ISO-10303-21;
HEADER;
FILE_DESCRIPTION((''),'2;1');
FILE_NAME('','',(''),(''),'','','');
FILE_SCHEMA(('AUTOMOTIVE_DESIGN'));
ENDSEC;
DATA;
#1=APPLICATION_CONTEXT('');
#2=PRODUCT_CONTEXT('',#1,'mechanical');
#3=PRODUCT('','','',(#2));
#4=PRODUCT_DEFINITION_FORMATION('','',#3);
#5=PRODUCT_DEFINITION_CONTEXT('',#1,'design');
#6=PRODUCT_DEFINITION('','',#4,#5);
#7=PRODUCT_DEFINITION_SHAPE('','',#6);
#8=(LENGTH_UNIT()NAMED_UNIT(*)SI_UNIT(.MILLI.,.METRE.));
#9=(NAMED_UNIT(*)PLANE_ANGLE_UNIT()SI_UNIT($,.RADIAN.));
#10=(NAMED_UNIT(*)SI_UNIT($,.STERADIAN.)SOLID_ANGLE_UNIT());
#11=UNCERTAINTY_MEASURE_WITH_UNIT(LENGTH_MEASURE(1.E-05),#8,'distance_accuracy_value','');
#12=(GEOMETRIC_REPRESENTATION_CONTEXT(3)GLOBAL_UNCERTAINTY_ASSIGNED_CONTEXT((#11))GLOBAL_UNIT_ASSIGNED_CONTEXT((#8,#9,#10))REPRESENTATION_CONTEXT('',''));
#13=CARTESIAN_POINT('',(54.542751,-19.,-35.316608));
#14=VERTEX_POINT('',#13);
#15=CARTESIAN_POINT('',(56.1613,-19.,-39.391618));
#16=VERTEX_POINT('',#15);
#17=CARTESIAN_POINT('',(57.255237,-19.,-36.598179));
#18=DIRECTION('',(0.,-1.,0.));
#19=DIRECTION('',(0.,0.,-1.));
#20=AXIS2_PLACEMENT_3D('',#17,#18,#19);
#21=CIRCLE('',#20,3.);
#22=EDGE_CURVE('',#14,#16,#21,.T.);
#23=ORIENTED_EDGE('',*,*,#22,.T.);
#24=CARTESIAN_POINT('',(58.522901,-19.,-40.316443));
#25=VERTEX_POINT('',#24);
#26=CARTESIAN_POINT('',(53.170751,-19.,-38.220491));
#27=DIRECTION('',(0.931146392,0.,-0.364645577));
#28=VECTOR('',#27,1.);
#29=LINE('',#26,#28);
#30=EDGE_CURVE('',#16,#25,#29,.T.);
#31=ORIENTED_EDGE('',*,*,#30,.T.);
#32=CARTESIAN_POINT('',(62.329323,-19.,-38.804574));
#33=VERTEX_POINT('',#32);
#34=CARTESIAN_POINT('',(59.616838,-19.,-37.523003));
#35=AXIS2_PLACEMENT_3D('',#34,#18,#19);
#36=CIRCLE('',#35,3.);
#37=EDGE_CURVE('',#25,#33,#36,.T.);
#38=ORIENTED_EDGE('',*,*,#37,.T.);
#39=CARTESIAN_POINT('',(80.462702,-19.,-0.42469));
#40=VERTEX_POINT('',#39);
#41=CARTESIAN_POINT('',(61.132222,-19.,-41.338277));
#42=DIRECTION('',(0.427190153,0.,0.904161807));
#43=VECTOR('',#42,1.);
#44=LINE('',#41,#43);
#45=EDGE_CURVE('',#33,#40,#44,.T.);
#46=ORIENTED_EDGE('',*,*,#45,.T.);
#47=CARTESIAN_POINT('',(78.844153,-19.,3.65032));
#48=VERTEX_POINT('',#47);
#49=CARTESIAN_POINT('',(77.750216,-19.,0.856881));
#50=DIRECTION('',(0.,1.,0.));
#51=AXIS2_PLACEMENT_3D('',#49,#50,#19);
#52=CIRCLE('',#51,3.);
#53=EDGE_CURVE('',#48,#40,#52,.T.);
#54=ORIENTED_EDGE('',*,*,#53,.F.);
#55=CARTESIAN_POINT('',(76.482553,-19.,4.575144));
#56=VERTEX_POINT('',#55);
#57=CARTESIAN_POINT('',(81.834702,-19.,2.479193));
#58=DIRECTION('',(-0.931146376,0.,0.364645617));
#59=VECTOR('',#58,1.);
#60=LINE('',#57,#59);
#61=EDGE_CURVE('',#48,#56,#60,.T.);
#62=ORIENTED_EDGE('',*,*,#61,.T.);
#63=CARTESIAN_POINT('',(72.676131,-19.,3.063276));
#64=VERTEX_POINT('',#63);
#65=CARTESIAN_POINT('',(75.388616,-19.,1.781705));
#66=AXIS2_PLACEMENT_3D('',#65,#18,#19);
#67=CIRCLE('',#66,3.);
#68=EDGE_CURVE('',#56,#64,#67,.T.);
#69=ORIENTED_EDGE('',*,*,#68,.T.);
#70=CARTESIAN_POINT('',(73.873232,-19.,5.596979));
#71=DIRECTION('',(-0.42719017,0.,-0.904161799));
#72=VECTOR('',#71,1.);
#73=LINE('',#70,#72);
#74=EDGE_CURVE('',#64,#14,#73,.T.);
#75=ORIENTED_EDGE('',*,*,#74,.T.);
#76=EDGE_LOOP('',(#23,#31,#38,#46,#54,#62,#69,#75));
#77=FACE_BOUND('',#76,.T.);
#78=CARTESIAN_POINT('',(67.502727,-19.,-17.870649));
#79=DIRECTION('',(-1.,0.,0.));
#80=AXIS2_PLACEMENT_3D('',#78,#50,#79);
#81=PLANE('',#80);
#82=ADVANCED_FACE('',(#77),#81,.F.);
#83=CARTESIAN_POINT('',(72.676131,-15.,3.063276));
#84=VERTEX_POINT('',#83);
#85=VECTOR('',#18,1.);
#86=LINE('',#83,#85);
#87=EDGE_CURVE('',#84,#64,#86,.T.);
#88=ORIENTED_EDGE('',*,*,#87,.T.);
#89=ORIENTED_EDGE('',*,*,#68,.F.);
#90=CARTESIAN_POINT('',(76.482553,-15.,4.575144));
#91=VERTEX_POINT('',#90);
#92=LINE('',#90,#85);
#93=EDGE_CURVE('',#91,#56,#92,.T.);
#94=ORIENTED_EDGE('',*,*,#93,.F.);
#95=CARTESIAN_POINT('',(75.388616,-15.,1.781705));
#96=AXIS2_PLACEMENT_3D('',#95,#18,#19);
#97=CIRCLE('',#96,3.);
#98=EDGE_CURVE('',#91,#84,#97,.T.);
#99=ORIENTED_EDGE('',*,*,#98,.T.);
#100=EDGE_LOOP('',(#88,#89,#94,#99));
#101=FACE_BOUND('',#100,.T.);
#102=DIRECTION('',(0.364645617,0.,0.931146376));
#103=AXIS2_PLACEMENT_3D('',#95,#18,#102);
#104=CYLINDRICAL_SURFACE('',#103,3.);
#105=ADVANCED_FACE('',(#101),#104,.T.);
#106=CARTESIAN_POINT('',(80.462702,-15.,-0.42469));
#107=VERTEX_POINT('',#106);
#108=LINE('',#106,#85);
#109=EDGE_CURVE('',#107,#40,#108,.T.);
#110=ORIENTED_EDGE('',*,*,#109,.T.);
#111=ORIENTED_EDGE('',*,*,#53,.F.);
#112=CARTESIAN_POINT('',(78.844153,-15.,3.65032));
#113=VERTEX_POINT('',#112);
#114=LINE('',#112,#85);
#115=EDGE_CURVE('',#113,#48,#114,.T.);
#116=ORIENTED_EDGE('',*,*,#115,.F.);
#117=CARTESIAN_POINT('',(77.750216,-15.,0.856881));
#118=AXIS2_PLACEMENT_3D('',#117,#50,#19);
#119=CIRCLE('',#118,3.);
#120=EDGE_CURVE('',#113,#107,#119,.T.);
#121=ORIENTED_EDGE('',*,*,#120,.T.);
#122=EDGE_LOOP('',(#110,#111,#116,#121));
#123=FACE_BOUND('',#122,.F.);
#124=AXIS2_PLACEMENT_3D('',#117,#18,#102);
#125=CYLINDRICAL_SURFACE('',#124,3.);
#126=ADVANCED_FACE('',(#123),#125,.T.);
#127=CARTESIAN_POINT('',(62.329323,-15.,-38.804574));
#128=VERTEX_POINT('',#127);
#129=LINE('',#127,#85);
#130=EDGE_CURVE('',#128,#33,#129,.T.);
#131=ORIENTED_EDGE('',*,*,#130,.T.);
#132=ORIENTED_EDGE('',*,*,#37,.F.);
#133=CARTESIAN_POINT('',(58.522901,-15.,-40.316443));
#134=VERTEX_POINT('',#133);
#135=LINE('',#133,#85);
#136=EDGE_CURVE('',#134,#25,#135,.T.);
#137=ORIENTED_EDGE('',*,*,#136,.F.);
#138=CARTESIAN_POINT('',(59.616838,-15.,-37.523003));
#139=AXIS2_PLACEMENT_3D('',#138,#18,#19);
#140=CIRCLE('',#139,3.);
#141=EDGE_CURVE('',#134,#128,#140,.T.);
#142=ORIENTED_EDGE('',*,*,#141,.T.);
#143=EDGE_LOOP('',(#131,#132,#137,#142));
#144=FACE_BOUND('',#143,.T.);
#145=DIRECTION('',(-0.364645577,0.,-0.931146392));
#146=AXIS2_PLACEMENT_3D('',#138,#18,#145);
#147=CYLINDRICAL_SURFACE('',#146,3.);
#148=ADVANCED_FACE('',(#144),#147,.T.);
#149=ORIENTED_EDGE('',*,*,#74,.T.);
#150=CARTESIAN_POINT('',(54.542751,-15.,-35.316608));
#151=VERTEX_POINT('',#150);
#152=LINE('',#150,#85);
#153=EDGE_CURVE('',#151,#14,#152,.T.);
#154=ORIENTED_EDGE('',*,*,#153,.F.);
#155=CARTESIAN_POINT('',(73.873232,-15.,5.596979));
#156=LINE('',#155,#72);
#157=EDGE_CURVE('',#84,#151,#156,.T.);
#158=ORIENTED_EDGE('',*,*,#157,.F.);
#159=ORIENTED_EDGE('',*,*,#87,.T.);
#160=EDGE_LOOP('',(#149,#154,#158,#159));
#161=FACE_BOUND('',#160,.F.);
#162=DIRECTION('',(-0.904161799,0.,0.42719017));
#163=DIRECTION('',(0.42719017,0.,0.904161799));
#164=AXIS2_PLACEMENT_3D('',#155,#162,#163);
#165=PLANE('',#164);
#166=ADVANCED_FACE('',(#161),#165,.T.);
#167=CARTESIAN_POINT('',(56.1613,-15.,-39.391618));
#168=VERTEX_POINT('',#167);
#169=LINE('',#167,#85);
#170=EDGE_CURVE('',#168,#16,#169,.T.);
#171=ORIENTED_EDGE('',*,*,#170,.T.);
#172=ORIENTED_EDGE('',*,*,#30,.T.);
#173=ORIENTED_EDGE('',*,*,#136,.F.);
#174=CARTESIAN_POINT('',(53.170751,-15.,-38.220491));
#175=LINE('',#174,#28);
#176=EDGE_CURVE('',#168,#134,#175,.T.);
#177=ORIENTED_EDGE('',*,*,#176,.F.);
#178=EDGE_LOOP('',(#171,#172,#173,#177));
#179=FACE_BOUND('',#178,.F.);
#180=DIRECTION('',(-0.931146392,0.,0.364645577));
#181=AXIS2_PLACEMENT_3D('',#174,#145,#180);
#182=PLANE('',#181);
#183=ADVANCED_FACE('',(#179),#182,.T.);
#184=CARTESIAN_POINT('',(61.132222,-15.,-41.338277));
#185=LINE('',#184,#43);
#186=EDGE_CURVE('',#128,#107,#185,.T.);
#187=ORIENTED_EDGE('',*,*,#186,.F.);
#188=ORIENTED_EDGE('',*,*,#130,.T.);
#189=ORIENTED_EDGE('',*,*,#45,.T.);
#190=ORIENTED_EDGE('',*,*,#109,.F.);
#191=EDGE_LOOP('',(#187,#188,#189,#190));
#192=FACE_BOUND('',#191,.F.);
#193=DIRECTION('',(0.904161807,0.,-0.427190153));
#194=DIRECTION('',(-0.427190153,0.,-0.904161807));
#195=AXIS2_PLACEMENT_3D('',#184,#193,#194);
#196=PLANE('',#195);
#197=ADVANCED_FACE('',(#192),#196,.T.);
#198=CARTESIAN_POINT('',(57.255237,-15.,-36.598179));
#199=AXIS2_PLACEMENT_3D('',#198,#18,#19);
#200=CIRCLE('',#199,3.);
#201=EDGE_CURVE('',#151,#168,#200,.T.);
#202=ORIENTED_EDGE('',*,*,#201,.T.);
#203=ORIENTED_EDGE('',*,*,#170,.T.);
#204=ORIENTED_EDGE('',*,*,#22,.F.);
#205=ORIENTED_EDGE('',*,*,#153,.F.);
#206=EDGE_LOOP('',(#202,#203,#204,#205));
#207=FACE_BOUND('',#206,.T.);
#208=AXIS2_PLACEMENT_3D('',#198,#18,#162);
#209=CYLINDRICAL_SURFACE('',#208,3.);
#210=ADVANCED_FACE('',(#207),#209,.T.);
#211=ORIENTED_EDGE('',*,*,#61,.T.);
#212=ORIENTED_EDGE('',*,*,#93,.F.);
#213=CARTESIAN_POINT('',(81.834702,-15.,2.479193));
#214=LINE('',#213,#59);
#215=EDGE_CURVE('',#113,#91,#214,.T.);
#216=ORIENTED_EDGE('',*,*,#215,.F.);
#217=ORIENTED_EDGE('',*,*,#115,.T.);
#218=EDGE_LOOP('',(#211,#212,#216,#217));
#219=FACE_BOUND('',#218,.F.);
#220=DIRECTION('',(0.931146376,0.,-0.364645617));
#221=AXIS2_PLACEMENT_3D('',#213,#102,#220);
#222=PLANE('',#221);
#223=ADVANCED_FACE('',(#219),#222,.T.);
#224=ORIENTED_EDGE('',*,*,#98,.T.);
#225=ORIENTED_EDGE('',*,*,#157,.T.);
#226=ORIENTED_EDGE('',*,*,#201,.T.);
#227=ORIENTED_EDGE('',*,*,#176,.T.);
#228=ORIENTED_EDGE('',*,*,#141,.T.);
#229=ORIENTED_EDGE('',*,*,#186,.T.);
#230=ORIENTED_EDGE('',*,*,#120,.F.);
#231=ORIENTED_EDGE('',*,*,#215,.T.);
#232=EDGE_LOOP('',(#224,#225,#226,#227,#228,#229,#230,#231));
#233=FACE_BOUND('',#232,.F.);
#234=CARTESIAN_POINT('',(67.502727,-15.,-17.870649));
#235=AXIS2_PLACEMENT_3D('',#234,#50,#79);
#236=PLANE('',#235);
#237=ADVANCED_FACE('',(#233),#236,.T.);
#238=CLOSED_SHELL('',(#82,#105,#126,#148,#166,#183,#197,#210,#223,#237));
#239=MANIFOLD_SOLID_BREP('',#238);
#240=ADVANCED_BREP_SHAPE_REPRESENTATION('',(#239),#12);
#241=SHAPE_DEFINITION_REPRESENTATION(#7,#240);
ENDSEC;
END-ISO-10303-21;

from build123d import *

# Parameters (mm, degrees)
PAD021_DEPTH = 4
FILLET017_R  = 3


with BuildPart() as fillet017:
    # Sketch025 → Pad021 (new body)
    with BuildSketch(Plane.XZ.offset(15)):
        Polygon((-5.834702, 2.479193), (2.126768, 5.596979), (22.829249, -38.220491), (14.867778, -41.338277), align=None)
    extrude(amount=PAD021_DEPTH)

    # Fillet017
    fillet017_edges = [fillet017.edges().sort_by_distance(p)[0] for p in [
        (-5.834702, -17, 2.479193),
        (2.126768, -17, 5.596979),
        (22.829249, -17, -38.220491),
        (14.867778, -17, -41.338277),
    ]]
    fillet(fillet017_edges, radius=FILLET017_R)


with BuildPart() as part_mirroring013:
    # Part__Mirroring013: instance of Fillet017
    add(fillet017.part.mirror(Plane(origin=(0, 0, 0), x_dir=(0, -1, 0), z_dir=(1, 0, 0))))


with BuildPart() as part_mirroring013_1:
    # Part__Mirroring013 placement: moved
    add(part_mirroring013.part.moved(Location((76, 0, 0))))


solid = part_mirroring013_1.part
